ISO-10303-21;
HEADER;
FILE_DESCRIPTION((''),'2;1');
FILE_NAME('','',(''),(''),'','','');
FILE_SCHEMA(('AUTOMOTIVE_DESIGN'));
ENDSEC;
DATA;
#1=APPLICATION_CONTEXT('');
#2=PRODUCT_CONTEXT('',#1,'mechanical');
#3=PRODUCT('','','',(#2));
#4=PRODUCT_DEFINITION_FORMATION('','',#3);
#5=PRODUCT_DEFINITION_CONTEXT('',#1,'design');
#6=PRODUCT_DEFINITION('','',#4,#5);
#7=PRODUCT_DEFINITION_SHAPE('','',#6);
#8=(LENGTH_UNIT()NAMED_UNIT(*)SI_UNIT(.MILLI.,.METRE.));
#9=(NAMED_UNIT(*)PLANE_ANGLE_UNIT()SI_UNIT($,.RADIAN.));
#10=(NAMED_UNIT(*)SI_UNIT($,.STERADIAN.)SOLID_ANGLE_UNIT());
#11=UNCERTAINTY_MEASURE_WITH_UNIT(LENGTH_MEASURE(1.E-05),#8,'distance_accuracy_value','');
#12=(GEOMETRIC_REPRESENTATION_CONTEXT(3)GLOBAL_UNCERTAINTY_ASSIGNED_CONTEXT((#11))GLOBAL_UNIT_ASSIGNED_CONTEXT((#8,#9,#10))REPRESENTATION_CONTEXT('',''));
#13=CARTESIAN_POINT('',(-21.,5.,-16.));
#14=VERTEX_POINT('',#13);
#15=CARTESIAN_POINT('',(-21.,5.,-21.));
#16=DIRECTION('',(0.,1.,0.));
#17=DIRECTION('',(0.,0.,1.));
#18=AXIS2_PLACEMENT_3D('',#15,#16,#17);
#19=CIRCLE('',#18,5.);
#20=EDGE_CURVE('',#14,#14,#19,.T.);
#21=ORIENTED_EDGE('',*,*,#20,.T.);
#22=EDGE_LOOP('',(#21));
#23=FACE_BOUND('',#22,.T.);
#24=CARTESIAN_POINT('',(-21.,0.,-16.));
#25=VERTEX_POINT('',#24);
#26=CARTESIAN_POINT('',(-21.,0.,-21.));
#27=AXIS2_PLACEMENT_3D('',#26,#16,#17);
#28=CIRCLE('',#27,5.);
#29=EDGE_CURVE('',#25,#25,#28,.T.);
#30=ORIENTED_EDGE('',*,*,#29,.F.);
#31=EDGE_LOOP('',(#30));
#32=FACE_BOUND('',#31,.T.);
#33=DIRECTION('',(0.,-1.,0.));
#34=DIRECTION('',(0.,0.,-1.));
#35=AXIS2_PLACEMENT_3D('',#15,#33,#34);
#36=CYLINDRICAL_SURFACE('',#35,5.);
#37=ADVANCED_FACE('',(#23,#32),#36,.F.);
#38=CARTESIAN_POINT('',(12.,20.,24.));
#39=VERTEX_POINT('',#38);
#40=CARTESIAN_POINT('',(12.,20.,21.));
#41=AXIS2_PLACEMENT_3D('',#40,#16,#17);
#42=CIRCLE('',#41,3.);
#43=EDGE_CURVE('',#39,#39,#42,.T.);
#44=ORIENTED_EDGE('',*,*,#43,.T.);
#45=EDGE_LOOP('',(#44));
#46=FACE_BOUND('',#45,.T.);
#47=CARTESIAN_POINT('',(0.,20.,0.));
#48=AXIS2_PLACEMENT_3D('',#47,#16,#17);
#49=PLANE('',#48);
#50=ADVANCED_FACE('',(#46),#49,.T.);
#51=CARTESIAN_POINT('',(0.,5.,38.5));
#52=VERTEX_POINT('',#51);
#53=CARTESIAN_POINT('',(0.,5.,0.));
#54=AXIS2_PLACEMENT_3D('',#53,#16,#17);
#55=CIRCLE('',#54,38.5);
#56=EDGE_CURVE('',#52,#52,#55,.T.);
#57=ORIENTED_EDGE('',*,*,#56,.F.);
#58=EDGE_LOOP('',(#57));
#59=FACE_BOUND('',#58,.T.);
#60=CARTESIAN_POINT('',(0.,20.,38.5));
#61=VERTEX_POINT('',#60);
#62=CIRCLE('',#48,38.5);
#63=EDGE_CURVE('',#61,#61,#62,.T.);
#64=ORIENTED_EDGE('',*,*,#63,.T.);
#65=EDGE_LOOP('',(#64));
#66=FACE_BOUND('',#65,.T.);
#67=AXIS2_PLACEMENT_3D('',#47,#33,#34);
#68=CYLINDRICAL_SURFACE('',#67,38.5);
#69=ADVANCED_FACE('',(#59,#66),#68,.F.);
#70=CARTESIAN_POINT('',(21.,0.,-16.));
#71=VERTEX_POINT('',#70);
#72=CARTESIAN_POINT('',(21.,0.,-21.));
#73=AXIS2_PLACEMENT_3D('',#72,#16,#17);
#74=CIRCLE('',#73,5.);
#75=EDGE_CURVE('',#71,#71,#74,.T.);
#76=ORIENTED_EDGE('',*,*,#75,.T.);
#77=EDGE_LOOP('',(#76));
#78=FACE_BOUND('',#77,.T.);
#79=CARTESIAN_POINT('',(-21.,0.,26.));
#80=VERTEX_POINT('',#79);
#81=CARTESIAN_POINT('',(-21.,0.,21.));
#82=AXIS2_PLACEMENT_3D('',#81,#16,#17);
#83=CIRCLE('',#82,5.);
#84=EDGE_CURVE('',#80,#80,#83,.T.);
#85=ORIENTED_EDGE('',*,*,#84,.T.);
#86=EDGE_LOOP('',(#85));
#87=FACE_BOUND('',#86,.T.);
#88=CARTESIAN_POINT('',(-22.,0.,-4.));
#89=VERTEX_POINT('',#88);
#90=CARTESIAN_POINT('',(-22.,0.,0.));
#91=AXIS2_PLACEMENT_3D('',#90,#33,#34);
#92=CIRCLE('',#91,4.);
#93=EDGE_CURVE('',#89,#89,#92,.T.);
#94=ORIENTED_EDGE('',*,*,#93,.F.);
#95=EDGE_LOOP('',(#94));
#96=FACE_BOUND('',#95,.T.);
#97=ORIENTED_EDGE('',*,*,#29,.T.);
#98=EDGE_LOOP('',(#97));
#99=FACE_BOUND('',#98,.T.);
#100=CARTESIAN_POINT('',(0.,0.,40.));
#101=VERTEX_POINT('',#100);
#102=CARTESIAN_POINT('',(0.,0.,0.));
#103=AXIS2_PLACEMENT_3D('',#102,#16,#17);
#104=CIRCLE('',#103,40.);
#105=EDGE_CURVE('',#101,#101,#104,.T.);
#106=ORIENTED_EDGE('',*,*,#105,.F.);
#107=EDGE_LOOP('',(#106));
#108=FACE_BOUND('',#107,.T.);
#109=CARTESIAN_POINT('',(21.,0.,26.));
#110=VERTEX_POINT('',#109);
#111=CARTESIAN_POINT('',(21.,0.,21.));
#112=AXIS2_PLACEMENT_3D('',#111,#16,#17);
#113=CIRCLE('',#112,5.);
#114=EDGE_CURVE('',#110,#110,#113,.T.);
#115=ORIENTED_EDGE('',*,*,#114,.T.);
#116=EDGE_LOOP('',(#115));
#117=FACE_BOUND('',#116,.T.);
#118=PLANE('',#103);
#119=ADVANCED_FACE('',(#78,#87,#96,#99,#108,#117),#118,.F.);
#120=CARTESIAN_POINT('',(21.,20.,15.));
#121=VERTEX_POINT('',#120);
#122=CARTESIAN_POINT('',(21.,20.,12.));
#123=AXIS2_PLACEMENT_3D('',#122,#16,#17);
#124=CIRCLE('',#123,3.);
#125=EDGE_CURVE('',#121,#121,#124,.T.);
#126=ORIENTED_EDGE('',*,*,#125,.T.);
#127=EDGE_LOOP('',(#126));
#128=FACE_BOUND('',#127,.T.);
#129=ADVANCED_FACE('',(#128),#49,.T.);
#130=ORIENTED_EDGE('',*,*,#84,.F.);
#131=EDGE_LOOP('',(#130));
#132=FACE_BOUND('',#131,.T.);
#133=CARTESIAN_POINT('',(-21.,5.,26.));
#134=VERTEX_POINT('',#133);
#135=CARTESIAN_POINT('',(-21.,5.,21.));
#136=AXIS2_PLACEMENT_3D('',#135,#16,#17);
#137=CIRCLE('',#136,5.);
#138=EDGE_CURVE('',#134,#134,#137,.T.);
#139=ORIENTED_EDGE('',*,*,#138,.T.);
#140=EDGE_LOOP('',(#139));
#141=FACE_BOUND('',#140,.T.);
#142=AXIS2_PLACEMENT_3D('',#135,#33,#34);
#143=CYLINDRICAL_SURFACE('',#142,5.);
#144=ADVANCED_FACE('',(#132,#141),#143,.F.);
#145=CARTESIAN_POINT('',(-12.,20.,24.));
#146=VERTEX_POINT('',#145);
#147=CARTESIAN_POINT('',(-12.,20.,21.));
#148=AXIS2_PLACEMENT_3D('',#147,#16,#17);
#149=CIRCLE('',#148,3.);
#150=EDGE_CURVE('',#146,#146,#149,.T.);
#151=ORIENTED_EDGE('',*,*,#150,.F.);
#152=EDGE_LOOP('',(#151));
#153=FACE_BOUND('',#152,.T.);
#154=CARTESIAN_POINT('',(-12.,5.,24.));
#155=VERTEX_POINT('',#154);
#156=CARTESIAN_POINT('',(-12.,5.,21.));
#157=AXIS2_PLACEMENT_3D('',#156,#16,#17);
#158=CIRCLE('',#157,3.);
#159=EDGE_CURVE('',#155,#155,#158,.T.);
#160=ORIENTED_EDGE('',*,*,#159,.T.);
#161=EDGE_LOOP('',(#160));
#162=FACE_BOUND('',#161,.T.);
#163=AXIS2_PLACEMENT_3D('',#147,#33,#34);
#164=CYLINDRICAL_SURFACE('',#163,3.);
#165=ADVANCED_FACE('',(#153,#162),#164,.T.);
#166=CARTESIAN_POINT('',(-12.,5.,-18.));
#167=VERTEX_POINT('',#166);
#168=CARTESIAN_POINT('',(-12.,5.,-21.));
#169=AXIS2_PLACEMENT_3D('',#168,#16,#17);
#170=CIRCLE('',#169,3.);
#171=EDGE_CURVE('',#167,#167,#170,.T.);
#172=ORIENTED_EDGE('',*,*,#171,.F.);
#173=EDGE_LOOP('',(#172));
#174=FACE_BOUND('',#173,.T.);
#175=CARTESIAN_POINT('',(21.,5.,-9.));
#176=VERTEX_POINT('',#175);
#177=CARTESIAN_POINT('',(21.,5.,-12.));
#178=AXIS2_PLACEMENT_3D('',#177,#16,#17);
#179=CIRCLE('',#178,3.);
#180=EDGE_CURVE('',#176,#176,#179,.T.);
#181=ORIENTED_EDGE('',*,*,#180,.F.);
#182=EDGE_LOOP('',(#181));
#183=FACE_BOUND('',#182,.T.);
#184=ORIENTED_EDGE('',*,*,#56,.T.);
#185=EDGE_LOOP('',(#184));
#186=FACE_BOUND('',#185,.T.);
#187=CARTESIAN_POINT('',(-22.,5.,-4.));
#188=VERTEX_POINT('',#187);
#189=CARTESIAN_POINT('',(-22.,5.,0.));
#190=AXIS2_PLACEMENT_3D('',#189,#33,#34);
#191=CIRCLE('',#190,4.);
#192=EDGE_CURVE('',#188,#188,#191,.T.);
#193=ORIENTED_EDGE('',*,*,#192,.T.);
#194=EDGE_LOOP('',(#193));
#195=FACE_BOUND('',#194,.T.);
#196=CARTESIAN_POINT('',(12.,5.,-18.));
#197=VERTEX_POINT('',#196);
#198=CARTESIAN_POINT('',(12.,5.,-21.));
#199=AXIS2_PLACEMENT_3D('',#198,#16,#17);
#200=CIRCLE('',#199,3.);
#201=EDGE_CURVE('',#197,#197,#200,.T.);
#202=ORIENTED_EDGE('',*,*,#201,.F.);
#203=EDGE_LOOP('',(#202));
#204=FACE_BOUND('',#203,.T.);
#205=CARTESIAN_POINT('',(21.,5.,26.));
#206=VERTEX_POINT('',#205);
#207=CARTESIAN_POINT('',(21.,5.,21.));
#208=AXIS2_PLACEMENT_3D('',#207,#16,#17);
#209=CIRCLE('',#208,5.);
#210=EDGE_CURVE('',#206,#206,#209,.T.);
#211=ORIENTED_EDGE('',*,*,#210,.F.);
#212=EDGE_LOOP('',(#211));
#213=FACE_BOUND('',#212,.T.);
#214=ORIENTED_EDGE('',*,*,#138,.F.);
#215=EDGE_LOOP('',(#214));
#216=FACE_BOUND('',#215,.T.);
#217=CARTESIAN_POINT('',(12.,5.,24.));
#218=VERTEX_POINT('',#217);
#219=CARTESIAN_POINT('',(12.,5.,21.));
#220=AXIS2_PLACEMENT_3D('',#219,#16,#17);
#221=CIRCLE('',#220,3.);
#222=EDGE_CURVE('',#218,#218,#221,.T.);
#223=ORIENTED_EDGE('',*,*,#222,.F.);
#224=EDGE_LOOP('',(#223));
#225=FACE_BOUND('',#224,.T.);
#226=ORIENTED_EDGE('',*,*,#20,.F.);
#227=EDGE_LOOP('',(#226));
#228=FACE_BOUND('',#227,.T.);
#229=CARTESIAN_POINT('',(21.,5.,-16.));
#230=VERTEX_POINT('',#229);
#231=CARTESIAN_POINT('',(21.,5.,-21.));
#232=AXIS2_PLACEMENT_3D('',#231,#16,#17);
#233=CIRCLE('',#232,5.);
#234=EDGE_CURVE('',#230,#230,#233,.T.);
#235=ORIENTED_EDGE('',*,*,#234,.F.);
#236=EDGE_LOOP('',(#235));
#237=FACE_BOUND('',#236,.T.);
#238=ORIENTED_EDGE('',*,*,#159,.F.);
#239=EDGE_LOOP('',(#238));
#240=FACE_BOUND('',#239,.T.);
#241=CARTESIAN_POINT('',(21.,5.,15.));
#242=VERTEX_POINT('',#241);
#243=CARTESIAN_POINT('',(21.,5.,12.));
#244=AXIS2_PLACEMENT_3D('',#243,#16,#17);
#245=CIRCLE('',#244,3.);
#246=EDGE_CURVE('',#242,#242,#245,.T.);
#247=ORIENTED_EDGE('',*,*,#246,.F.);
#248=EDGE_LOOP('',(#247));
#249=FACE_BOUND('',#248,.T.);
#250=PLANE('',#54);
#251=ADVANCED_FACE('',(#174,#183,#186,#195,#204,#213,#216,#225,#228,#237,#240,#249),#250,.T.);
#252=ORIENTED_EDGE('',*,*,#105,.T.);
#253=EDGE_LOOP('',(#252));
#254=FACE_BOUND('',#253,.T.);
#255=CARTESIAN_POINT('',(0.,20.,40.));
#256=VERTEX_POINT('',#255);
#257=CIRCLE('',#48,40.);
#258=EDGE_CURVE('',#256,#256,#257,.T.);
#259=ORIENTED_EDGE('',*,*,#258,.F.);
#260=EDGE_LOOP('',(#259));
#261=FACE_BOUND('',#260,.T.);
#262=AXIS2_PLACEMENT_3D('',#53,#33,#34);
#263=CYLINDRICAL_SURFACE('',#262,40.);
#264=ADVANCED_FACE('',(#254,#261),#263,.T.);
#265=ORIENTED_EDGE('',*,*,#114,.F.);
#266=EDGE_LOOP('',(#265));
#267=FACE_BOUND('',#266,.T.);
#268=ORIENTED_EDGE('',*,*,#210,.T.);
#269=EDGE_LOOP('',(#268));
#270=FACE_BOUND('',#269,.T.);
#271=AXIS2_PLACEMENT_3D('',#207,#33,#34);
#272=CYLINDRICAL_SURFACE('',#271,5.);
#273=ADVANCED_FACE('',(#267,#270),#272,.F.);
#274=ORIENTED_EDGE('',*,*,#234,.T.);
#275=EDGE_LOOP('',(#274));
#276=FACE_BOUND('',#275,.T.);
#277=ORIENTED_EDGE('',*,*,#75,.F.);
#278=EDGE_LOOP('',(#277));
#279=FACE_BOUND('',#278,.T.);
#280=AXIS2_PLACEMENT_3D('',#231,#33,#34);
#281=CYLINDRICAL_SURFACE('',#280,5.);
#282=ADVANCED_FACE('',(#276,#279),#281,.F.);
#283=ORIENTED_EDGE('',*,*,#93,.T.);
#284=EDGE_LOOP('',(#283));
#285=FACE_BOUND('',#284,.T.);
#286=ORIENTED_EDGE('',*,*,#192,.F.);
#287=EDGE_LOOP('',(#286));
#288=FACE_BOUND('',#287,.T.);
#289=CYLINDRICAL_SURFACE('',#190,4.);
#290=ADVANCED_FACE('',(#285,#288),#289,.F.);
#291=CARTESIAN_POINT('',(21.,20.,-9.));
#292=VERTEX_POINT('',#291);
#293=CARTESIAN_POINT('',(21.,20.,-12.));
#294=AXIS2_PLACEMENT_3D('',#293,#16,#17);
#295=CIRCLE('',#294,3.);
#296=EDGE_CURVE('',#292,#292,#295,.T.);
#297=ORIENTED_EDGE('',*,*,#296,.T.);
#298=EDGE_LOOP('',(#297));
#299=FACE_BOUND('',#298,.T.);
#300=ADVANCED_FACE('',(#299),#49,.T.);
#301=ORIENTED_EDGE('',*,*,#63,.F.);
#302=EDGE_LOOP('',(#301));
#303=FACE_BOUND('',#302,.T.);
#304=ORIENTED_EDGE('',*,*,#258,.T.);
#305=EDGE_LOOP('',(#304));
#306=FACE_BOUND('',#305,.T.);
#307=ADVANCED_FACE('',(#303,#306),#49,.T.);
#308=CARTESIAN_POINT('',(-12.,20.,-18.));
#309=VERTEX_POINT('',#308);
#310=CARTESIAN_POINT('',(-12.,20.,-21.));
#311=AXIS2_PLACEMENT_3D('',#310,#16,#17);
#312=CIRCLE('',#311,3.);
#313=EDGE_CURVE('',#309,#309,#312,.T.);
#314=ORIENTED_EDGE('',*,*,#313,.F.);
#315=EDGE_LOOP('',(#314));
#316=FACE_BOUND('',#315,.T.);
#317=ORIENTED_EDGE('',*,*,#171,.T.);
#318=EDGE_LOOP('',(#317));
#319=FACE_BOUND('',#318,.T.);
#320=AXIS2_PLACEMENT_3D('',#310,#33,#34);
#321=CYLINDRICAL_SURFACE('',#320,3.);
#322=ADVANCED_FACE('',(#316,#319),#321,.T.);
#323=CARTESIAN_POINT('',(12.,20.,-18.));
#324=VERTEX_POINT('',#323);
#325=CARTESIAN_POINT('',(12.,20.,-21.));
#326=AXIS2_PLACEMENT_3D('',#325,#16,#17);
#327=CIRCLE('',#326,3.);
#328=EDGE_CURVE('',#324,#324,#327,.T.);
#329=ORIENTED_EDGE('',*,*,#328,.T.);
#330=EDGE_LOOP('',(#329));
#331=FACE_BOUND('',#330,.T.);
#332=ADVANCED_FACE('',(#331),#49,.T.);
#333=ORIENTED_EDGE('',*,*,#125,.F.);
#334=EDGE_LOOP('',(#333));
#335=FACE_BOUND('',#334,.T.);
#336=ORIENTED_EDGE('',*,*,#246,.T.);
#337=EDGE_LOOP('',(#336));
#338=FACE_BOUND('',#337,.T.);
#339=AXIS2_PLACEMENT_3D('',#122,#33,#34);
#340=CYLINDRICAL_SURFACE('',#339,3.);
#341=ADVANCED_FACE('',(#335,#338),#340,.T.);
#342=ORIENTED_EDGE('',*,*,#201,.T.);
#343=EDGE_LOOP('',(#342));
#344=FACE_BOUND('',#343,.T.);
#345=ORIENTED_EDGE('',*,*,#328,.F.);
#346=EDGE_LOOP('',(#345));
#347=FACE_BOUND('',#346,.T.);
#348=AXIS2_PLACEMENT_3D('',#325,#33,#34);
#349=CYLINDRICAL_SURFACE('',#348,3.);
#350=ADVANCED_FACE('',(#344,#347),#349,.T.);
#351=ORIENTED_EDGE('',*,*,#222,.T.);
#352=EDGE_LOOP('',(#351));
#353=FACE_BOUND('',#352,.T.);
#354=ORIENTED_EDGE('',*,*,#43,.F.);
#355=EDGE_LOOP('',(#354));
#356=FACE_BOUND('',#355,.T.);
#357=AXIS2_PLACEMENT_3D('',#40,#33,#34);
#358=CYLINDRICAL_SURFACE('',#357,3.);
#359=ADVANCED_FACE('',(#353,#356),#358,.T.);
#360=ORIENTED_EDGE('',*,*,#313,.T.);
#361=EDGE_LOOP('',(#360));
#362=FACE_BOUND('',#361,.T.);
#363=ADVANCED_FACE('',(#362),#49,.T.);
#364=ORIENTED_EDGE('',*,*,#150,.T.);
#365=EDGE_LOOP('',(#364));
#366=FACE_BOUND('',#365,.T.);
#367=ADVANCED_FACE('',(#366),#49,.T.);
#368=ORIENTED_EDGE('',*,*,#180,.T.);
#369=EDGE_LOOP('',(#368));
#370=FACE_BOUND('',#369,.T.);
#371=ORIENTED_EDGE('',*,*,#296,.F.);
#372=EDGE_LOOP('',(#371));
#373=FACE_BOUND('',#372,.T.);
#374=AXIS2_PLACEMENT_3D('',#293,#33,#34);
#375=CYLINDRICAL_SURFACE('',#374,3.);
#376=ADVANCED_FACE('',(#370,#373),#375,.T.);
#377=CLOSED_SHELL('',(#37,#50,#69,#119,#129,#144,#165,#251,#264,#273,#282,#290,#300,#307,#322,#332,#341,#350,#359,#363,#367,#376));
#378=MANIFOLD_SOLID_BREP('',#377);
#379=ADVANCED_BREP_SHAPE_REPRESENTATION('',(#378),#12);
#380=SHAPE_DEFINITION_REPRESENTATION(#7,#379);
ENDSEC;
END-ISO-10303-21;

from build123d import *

# Parameters (mm, degrees)
SKETCH1_R           = 40
SKETCH1_R_2         = 5
BOSS_EXTRUDE1_DEPTH = 5
SKETCH2_R           = 40
SKETCH2_R_2         = 38.5
SKETCH2_R_3         = 3
BOSS_EXTRUDE2_DEPTH = 15
SKETCH5_R           = 4
CUT_EXTRUDE1_DEPTH  = 5


with BuildPart() as part:
    # Sketch1 → Boss-Extrude1 (new body)
    with BuildSketch(Plane(origin=(0, 0, 0), x_dir=(1, 0, 0), z_dir=(0, 1, 0))):
        with Locations(Location((0, 0, 0), (0, 0, 270))):
            Circle(SKETCH1_R)
        with Locations(Location((-21, 21, 0), (0, 0, 270))):
            Circle(SKETCH1_R_2, mode=Mode.SUBTRACT)
        with Locations(Location((-21, -21, 0), (0, 0, 270))):
            Circle(SKETCH1_R_2, mode=Mode.SUBTRACT)
        with Locations(Location((21, -21, 0), (0, 0, 270))):
            Circle(SKETCH1_R_2, mode=Mode.SUBTRACT)
        with Locations(Location((21, 21, 0), (0, 0, 270))):
            Circle(SKETCH1_R_2, mode=Mode.SUBTRACT)
    extrude(amount=BOSS_EXTRUDE1_DEPTH)

    # Sketch2 → Boss-Extrude2 (add)
    # profile 1 of 7: a face of its own
    with BuildSketch(Plane(origin=(0, 5, 0), x_dir=(1, 0, 0), z_dir=(0, 1, 0))):
        with Locations(Location((0, 0, 0), (0, 0, 270))):
            Circle(SKETCH2_R)
        with Locations(Location((0, 0, 0), (0, 0, 270))):
            Circle(SKETCH2_R_2, mode=Mode.SUBTRACT)
    # profile 2 of 7: a face of its own
    with BuildSketch(Plane(origin=(0, 5, 0), x_dir=(1, 0, 0), z_dir=(0, 1, 0))):
        with Locations(Location((-12, -21, 0), (0, 0, 270))):
            Circle(SKETCH2_R_3)
    # profile 3 of 7: a face of its own
    with BuildSketch(Plane(origin=(0, 5, 0), x_dir=(1, 0, 0), z_dir=(0, 1, 0))):
        with Locations(Location((12, -21, 0), (0, 0, 270))):
            Circle(SKETCH2_R_3)
    # profile 4 of 7: a face of its own
    with BuildSketch(Plane(origin=(0, 5, 0), x_dir=(1, 0, 0), z_dir=(0, 1, 0))):
        with Locations(Location((21, -12, 0), (0, 0, 270))):
            Circle(SKETCH2_R_3)
    # profile 5 of 7: a face of its own
    with BuildSketch(Plane(origin=(0, 5, 0), x_dir=(1, 0, 0), z_dir=(0, 1, 0))):
        with Locations(Location((21, 12, 0), (0, 0, 270))):
            Circle(SKETCH2_R_3)
    # profile 6 of 7: a face of its own
    with BuildSketch(Plane(origin=(0, 5, 0), x_dir=(1, 0, 0), z_dir=(0, 1, 0))):
        with Locations(Location((12, 21, 0), (0, 0, 270))):
            Circle(SKETCH2_R_3)
    # profile 7 of 7: a face of its own
    with BuildSketch(Plane(origin=(0, 5, 0), x_dir=(1, 0, 0), z_dir=(0, 1, 0))):
        with Locations(Location((-12, 21, 0), (0, 0, 270))):
            Circle(SKETCH2_R_3)
    extrude(amount=BOSS_EXTRUDE2_DEPTH)

    # Sketch5 → Cut-Extrude1 (cut)
    with BuildSketch(Plane.XZ):
        with Locations(Location((-22, 0, 0), (0, 0, 270))):
            Circle(SKETCH5_R)
    extrude(amount=-CUT_EXTRUDE1_DEPTH, mode=Mode.SUBTRACT)


solid = part.part
